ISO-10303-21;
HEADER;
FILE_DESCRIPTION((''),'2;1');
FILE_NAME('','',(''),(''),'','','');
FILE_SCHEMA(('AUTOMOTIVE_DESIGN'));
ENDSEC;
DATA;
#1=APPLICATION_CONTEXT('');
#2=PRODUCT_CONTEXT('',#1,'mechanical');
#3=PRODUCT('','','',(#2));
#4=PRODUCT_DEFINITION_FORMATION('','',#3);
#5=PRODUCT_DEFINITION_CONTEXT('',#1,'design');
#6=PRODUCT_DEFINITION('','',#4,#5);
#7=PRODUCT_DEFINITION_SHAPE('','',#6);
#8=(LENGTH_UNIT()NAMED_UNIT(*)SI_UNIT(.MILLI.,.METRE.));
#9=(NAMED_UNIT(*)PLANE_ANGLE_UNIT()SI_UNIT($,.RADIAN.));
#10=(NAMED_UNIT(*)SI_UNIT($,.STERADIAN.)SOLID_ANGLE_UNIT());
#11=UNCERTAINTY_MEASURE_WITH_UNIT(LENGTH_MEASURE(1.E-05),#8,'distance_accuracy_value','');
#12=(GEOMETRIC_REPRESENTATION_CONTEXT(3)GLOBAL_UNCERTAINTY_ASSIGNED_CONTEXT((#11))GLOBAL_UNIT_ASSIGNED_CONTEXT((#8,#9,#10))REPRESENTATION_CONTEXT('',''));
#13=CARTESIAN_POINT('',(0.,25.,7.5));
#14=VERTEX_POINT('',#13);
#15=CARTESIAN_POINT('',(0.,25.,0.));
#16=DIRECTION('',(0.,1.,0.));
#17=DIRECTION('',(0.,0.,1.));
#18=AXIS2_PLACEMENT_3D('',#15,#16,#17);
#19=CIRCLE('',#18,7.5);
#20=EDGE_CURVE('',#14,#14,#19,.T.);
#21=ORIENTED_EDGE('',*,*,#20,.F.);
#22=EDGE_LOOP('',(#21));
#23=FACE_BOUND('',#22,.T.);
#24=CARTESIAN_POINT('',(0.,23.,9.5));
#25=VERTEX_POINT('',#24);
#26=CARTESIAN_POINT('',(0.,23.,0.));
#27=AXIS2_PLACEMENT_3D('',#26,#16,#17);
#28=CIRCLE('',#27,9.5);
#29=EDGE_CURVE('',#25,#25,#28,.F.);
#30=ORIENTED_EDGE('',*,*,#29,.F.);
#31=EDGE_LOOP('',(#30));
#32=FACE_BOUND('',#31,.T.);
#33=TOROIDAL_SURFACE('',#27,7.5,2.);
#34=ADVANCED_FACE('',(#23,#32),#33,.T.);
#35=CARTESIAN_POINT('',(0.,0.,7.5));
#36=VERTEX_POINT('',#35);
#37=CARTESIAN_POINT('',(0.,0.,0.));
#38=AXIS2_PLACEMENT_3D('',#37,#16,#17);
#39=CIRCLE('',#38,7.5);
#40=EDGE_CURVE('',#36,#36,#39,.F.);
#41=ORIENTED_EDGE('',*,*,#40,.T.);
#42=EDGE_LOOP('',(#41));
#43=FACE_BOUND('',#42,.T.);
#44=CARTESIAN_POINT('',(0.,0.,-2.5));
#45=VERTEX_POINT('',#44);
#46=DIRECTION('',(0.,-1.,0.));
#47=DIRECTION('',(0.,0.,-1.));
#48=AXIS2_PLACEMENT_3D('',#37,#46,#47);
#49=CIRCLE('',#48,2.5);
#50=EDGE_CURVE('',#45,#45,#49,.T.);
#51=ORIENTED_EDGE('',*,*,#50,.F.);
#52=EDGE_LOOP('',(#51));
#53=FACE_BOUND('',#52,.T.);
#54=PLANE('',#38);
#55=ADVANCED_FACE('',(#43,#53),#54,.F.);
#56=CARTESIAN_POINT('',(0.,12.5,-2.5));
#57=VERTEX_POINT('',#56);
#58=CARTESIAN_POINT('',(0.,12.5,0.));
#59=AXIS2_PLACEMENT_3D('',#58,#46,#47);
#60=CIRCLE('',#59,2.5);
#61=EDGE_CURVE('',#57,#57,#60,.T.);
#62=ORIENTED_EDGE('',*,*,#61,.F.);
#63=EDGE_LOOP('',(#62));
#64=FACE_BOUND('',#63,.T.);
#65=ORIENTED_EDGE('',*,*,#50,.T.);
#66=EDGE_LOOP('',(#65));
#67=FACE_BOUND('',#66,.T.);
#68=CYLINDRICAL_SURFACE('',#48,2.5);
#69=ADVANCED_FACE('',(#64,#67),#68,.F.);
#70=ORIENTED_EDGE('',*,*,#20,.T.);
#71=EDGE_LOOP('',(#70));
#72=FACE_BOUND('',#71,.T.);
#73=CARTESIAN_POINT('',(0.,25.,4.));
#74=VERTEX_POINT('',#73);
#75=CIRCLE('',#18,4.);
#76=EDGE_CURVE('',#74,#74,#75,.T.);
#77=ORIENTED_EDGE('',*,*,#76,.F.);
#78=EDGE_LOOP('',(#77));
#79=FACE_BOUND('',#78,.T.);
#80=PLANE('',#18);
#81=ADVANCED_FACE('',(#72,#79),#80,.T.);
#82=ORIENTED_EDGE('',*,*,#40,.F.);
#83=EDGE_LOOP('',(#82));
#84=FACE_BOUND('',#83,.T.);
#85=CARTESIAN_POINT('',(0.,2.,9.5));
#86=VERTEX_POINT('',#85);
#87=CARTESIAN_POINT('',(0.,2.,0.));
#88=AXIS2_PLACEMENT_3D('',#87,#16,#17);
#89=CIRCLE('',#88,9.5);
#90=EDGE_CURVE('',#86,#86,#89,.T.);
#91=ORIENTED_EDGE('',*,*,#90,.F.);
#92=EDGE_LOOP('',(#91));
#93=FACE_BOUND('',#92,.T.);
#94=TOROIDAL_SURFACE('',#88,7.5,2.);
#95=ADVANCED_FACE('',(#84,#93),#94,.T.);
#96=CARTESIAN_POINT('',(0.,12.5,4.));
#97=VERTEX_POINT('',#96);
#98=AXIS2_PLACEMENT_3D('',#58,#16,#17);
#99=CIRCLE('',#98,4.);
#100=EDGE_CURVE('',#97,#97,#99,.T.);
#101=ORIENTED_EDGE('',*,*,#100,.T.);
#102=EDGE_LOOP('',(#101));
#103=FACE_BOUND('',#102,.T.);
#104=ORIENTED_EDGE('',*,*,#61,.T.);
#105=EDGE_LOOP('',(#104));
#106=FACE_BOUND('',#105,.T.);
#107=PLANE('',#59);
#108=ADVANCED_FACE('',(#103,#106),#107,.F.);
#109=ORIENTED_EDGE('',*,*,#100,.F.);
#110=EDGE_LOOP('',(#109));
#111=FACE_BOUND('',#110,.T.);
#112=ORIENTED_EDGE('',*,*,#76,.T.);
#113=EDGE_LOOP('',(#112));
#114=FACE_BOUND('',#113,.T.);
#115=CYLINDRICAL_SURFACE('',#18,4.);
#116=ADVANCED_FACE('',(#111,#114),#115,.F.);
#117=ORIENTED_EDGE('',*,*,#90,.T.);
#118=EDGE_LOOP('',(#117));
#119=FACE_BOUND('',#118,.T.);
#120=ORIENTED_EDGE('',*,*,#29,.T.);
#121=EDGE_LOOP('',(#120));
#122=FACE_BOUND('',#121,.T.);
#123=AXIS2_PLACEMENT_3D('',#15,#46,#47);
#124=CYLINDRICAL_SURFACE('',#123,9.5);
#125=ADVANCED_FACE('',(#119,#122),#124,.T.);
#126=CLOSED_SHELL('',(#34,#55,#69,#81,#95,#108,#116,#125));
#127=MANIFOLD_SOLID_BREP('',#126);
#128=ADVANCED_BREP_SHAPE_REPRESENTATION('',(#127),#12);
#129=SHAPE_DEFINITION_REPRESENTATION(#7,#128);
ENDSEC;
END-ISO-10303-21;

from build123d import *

# Parameters (mm, degrees)
SKETCH_1_R          = 9.5
EXTRUDE_1_DEPTH     = 25
FILLET_1_R          = 2
HOLE_WIZARD_1_D     = 8
HOLE_WIZARD_1_DEPTH = 12.5
HOLE_WIZARD_2_D     = 5


with BuildPart() as part:
    # 草图1 → 凸台-拉伸1 (new body)
    with BuildSketch(Plane(origin=(0, 0, 0), x_dir=(1, 0, 0), z_dir=(0, 1, 0))):
        Circle(SKETCH_1_R)
    extrude(amount=EXTRUDE_1_DEPTH)

    # 圆角1
    fillet_1_edges = [part.edges().sort_by_distance(p)[0] for p in [
        (-9.5, 0, 0),
        (-9.5, 25, 0),
    ]]
    fillet(fillet_1_edges, radius=FILLET_1_R)

    # 孔1
    with Locations(Plane(origin=(0, 25, 0), x_dir=(1, 0, 0), z_dir=(0, 1, 0))):
        with Locations((0, 0)):
            Hole(HOLE_WIZARD_1_D / 2, depth=HOLE_WIZARD_1_DEPTH)

    # 孔2 (through all)
    with Locations(Plane(origin=(0, 0, 0), x_dir=(-1, 0, 0), z_dir=(0, -1, 0))):
        with Locations((0, 0)):
            Hole(HOLE_WIZARD_2_D / 2)


solid = part.part
